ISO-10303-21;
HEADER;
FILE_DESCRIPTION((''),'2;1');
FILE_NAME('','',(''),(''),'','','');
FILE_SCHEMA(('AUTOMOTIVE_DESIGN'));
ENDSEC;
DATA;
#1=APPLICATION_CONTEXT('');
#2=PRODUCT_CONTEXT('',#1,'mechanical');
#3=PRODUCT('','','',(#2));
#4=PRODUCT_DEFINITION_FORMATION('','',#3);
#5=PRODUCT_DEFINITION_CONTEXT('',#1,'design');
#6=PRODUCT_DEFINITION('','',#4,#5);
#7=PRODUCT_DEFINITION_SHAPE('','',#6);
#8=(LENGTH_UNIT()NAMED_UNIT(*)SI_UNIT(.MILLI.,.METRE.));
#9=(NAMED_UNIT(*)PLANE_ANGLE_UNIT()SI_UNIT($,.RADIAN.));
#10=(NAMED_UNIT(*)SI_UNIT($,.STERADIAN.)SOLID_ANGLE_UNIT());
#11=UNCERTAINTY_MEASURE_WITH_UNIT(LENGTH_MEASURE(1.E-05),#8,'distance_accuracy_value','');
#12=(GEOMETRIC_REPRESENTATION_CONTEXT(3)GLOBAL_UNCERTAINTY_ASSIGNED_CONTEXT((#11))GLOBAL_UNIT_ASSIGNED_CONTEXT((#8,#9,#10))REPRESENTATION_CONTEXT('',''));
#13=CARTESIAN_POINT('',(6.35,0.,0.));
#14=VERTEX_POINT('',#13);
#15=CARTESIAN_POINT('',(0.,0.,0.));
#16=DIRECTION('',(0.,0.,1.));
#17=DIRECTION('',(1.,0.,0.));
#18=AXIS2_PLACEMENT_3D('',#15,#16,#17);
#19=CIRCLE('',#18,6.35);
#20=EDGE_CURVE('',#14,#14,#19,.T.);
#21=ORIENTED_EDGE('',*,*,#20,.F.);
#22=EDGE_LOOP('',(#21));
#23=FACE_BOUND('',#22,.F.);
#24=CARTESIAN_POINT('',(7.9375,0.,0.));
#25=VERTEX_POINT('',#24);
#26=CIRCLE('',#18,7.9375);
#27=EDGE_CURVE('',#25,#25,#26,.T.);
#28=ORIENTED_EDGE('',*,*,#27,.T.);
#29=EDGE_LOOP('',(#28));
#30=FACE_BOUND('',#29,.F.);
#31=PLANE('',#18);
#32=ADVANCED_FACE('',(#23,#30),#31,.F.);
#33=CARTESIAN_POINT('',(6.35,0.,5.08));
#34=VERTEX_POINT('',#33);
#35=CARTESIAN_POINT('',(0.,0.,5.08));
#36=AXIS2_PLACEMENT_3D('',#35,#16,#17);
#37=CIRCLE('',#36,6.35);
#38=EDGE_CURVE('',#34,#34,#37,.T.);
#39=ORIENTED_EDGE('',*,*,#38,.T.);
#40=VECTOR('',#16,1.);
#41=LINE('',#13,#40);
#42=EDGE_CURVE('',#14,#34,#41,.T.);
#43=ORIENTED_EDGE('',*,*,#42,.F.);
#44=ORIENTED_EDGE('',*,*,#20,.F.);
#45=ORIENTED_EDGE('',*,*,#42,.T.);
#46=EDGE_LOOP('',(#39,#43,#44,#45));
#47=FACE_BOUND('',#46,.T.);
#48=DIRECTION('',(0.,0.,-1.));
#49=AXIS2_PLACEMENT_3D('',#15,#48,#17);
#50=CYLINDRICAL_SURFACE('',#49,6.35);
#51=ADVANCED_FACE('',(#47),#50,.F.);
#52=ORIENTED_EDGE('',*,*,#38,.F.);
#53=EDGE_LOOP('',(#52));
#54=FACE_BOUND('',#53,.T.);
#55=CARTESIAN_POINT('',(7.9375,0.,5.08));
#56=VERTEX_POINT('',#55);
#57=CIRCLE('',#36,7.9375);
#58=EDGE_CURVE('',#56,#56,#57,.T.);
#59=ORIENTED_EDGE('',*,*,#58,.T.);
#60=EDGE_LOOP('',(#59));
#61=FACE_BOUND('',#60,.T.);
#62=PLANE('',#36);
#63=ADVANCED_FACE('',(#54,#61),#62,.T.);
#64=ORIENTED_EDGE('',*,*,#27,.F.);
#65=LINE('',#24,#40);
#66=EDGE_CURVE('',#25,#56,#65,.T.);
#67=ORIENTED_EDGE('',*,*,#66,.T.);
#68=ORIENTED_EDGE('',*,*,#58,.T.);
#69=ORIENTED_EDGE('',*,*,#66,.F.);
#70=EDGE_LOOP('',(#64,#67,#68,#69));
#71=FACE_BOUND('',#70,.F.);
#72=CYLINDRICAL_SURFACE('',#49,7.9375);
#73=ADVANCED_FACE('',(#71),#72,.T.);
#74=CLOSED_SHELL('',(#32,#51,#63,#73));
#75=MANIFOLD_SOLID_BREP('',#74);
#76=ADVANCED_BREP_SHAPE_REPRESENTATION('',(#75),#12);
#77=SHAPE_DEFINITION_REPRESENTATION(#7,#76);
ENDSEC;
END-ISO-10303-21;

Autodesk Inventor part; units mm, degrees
ref_plane "YZ Plane" through (0, 0, 0) normal (1, 0, 0) x (0, 1, 0)
ref_plane "XZ Plane" through (0, 0, 0) normal (0, 1, 0) x (-1, 0, 0)
ref_plane "XY Plane" through (0, 0, 0) normal (0, 0, 1) x (1, 0, 0)
sketch "Sketch1" plane through (0, 0, 0) normal (0, 0, 1) x (1, 0, 0)
  circle A0 centre (0, 0) radius 7.9375
  circle A1 centre (0, 0) radius 6.35
  dimension "d0" = 15.875
  dimension "d1" = 12.7
extrude "Extrusion1" add sketch "Sketch1" along normal blind 5.08
properties part number "Shaft Spacer Part6" material "PVC-Piping"
